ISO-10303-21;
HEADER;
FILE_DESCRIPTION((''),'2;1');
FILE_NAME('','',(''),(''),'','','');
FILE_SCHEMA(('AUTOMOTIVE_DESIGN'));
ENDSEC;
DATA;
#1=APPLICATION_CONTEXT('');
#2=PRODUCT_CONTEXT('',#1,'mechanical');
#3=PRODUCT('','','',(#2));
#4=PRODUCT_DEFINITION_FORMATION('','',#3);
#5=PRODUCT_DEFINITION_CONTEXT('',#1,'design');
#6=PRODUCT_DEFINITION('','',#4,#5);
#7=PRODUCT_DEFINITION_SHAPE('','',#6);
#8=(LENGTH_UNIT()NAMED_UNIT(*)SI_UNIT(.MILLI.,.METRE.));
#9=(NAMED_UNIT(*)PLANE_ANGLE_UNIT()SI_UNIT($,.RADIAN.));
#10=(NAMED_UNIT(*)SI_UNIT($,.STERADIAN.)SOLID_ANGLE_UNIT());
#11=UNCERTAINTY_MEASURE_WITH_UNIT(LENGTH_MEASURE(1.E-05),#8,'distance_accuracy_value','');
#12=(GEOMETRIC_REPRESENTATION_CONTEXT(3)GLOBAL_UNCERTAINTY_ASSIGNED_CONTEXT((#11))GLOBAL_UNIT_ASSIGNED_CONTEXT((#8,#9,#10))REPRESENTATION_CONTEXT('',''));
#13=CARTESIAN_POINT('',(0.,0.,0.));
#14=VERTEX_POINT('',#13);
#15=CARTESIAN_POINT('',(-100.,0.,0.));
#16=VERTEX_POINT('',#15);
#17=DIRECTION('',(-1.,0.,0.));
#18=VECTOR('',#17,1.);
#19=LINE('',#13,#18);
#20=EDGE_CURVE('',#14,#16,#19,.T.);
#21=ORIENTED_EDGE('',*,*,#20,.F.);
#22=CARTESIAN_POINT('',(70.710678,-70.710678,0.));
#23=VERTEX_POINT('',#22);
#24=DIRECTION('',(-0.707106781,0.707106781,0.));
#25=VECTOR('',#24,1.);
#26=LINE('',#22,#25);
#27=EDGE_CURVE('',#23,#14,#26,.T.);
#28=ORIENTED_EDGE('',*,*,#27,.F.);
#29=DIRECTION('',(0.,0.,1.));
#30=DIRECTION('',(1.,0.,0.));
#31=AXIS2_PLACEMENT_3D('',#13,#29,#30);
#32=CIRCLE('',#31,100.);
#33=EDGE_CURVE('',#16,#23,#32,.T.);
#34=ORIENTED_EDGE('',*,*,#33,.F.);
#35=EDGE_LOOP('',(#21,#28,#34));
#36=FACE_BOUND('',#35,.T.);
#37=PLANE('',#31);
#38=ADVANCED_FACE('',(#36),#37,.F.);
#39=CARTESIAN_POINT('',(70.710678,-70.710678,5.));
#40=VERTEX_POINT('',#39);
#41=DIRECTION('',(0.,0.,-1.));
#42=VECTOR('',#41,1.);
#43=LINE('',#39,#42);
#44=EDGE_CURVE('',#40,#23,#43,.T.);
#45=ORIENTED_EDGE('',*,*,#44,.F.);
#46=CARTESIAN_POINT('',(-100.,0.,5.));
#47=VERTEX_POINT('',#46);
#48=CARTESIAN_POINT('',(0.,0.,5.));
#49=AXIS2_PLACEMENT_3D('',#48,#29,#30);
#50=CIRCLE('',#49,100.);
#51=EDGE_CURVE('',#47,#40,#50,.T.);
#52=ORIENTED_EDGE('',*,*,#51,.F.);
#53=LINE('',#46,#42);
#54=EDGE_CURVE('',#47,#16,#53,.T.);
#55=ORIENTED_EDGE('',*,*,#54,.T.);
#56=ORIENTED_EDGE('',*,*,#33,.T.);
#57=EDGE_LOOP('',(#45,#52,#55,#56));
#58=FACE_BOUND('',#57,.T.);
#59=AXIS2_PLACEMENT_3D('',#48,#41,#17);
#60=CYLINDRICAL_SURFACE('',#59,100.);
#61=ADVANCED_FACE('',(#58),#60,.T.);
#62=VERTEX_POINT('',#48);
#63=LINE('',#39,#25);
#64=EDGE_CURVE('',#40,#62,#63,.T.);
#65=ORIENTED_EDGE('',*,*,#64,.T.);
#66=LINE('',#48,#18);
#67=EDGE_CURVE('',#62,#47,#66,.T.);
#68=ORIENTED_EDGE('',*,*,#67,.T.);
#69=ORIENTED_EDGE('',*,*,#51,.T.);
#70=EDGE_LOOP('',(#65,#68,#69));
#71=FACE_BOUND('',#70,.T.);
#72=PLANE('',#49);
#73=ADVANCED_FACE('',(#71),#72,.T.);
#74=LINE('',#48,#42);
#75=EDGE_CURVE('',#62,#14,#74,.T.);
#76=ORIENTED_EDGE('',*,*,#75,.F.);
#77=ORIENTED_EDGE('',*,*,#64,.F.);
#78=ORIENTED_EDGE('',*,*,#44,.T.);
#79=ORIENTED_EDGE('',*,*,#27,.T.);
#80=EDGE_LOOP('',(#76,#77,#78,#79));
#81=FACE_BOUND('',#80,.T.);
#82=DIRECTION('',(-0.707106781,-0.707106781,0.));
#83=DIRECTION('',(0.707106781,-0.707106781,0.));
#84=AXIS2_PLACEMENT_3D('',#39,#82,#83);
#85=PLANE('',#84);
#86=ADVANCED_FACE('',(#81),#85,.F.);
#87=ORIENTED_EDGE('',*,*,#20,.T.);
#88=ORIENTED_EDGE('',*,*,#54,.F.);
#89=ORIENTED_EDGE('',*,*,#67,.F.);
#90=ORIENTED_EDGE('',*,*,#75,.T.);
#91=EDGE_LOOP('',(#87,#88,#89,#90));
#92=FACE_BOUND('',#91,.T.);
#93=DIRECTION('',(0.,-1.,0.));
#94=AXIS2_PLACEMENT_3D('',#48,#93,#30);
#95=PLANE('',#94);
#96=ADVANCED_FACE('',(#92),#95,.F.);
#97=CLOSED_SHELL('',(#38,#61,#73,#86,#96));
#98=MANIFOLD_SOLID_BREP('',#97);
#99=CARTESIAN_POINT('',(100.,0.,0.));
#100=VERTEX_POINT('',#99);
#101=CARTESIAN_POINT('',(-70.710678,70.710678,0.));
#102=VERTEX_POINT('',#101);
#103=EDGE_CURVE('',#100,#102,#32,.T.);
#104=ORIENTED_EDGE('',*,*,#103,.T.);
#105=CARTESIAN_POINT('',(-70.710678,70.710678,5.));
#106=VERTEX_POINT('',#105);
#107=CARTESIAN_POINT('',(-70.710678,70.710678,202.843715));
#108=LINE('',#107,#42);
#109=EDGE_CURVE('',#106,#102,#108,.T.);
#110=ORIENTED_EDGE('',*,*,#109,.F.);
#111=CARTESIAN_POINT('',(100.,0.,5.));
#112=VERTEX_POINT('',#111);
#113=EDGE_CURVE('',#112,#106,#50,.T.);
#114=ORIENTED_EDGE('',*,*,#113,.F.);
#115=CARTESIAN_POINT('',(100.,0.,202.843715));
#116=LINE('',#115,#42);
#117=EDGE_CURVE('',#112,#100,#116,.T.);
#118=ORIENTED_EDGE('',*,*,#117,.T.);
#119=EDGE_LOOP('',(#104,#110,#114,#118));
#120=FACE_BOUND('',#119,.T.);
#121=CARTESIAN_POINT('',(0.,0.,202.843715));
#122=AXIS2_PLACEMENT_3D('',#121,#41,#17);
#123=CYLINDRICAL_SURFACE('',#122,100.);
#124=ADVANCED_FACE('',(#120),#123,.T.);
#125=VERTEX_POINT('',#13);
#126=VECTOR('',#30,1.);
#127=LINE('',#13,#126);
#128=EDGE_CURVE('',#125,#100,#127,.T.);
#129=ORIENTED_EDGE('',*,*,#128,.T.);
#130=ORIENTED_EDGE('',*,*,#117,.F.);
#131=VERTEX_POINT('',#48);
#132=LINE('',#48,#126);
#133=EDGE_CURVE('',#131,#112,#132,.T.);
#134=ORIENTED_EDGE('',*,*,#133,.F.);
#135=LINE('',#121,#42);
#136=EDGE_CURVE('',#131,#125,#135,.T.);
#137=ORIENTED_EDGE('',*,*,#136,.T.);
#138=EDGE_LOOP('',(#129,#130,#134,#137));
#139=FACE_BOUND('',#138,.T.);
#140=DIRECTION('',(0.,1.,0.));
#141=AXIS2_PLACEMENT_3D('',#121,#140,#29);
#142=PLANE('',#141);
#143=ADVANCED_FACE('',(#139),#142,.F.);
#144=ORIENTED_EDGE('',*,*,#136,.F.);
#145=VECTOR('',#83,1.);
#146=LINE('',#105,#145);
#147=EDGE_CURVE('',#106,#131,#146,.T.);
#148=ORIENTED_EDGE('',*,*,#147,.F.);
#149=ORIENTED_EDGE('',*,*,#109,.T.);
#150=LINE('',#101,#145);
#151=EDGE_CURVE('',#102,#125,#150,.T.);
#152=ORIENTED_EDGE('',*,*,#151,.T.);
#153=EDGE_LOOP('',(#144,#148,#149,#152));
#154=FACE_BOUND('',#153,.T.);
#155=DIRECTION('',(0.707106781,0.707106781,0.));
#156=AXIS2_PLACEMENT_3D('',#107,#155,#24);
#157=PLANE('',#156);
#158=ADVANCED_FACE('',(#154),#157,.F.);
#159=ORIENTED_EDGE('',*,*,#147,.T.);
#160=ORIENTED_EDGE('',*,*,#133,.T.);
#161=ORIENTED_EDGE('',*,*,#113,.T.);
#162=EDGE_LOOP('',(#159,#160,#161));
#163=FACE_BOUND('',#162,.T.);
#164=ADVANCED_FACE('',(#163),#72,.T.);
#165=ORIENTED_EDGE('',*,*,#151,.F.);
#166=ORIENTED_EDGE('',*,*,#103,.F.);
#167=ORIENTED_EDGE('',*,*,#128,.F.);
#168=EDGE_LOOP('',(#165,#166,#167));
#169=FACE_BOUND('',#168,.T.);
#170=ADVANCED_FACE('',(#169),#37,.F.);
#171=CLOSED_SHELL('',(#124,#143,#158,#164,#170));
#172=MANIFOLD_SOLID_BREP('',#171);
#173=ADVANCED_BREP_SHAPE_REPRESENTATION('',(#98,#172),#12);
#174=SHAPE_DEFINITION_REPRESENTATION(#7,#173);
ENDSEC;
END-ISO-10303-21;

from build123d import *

# Parameters (mm, degrees)
BOSS_EXTRUDE1_DEPTH = 5
BOSS_EXTRUDE2_DEPTH = 5


with BuildPart() as part:
    # Sketch1 → Boss-Extrude1 (new body)
    with BuildSketch(Plane.XY):
        with BuildLine():
            Line((0, 0), (-100, 0))
            ThreePointArc((-100, 0), (-38.268343237, -92.387953251), (70.710678119, -70.710678119))
            Line((70.710678119, -70.710678119), (0, 0))
        make_face()
    extrude(amount=BOSS_EXTRUDE1_DEPTH)


with BuildPart() as body_2:
    # Sketch2 → Boss-Extrude2 (new body)
    with BuildSketch(Plane.XY):
        with BuildLine():
            Line((0, 0), (100, 0))
            ThreePointArc((100, 0), (38.268343237, 92.387953251), (-70.710678119, 70.710678119))
            Line((-70.710678119, 70.710678119), (0, 0))
        make_face()
    extrude(amount=BOSS_EXTRUDE2_DEPTH)


solid = Compound([part.part, body_2.part])
